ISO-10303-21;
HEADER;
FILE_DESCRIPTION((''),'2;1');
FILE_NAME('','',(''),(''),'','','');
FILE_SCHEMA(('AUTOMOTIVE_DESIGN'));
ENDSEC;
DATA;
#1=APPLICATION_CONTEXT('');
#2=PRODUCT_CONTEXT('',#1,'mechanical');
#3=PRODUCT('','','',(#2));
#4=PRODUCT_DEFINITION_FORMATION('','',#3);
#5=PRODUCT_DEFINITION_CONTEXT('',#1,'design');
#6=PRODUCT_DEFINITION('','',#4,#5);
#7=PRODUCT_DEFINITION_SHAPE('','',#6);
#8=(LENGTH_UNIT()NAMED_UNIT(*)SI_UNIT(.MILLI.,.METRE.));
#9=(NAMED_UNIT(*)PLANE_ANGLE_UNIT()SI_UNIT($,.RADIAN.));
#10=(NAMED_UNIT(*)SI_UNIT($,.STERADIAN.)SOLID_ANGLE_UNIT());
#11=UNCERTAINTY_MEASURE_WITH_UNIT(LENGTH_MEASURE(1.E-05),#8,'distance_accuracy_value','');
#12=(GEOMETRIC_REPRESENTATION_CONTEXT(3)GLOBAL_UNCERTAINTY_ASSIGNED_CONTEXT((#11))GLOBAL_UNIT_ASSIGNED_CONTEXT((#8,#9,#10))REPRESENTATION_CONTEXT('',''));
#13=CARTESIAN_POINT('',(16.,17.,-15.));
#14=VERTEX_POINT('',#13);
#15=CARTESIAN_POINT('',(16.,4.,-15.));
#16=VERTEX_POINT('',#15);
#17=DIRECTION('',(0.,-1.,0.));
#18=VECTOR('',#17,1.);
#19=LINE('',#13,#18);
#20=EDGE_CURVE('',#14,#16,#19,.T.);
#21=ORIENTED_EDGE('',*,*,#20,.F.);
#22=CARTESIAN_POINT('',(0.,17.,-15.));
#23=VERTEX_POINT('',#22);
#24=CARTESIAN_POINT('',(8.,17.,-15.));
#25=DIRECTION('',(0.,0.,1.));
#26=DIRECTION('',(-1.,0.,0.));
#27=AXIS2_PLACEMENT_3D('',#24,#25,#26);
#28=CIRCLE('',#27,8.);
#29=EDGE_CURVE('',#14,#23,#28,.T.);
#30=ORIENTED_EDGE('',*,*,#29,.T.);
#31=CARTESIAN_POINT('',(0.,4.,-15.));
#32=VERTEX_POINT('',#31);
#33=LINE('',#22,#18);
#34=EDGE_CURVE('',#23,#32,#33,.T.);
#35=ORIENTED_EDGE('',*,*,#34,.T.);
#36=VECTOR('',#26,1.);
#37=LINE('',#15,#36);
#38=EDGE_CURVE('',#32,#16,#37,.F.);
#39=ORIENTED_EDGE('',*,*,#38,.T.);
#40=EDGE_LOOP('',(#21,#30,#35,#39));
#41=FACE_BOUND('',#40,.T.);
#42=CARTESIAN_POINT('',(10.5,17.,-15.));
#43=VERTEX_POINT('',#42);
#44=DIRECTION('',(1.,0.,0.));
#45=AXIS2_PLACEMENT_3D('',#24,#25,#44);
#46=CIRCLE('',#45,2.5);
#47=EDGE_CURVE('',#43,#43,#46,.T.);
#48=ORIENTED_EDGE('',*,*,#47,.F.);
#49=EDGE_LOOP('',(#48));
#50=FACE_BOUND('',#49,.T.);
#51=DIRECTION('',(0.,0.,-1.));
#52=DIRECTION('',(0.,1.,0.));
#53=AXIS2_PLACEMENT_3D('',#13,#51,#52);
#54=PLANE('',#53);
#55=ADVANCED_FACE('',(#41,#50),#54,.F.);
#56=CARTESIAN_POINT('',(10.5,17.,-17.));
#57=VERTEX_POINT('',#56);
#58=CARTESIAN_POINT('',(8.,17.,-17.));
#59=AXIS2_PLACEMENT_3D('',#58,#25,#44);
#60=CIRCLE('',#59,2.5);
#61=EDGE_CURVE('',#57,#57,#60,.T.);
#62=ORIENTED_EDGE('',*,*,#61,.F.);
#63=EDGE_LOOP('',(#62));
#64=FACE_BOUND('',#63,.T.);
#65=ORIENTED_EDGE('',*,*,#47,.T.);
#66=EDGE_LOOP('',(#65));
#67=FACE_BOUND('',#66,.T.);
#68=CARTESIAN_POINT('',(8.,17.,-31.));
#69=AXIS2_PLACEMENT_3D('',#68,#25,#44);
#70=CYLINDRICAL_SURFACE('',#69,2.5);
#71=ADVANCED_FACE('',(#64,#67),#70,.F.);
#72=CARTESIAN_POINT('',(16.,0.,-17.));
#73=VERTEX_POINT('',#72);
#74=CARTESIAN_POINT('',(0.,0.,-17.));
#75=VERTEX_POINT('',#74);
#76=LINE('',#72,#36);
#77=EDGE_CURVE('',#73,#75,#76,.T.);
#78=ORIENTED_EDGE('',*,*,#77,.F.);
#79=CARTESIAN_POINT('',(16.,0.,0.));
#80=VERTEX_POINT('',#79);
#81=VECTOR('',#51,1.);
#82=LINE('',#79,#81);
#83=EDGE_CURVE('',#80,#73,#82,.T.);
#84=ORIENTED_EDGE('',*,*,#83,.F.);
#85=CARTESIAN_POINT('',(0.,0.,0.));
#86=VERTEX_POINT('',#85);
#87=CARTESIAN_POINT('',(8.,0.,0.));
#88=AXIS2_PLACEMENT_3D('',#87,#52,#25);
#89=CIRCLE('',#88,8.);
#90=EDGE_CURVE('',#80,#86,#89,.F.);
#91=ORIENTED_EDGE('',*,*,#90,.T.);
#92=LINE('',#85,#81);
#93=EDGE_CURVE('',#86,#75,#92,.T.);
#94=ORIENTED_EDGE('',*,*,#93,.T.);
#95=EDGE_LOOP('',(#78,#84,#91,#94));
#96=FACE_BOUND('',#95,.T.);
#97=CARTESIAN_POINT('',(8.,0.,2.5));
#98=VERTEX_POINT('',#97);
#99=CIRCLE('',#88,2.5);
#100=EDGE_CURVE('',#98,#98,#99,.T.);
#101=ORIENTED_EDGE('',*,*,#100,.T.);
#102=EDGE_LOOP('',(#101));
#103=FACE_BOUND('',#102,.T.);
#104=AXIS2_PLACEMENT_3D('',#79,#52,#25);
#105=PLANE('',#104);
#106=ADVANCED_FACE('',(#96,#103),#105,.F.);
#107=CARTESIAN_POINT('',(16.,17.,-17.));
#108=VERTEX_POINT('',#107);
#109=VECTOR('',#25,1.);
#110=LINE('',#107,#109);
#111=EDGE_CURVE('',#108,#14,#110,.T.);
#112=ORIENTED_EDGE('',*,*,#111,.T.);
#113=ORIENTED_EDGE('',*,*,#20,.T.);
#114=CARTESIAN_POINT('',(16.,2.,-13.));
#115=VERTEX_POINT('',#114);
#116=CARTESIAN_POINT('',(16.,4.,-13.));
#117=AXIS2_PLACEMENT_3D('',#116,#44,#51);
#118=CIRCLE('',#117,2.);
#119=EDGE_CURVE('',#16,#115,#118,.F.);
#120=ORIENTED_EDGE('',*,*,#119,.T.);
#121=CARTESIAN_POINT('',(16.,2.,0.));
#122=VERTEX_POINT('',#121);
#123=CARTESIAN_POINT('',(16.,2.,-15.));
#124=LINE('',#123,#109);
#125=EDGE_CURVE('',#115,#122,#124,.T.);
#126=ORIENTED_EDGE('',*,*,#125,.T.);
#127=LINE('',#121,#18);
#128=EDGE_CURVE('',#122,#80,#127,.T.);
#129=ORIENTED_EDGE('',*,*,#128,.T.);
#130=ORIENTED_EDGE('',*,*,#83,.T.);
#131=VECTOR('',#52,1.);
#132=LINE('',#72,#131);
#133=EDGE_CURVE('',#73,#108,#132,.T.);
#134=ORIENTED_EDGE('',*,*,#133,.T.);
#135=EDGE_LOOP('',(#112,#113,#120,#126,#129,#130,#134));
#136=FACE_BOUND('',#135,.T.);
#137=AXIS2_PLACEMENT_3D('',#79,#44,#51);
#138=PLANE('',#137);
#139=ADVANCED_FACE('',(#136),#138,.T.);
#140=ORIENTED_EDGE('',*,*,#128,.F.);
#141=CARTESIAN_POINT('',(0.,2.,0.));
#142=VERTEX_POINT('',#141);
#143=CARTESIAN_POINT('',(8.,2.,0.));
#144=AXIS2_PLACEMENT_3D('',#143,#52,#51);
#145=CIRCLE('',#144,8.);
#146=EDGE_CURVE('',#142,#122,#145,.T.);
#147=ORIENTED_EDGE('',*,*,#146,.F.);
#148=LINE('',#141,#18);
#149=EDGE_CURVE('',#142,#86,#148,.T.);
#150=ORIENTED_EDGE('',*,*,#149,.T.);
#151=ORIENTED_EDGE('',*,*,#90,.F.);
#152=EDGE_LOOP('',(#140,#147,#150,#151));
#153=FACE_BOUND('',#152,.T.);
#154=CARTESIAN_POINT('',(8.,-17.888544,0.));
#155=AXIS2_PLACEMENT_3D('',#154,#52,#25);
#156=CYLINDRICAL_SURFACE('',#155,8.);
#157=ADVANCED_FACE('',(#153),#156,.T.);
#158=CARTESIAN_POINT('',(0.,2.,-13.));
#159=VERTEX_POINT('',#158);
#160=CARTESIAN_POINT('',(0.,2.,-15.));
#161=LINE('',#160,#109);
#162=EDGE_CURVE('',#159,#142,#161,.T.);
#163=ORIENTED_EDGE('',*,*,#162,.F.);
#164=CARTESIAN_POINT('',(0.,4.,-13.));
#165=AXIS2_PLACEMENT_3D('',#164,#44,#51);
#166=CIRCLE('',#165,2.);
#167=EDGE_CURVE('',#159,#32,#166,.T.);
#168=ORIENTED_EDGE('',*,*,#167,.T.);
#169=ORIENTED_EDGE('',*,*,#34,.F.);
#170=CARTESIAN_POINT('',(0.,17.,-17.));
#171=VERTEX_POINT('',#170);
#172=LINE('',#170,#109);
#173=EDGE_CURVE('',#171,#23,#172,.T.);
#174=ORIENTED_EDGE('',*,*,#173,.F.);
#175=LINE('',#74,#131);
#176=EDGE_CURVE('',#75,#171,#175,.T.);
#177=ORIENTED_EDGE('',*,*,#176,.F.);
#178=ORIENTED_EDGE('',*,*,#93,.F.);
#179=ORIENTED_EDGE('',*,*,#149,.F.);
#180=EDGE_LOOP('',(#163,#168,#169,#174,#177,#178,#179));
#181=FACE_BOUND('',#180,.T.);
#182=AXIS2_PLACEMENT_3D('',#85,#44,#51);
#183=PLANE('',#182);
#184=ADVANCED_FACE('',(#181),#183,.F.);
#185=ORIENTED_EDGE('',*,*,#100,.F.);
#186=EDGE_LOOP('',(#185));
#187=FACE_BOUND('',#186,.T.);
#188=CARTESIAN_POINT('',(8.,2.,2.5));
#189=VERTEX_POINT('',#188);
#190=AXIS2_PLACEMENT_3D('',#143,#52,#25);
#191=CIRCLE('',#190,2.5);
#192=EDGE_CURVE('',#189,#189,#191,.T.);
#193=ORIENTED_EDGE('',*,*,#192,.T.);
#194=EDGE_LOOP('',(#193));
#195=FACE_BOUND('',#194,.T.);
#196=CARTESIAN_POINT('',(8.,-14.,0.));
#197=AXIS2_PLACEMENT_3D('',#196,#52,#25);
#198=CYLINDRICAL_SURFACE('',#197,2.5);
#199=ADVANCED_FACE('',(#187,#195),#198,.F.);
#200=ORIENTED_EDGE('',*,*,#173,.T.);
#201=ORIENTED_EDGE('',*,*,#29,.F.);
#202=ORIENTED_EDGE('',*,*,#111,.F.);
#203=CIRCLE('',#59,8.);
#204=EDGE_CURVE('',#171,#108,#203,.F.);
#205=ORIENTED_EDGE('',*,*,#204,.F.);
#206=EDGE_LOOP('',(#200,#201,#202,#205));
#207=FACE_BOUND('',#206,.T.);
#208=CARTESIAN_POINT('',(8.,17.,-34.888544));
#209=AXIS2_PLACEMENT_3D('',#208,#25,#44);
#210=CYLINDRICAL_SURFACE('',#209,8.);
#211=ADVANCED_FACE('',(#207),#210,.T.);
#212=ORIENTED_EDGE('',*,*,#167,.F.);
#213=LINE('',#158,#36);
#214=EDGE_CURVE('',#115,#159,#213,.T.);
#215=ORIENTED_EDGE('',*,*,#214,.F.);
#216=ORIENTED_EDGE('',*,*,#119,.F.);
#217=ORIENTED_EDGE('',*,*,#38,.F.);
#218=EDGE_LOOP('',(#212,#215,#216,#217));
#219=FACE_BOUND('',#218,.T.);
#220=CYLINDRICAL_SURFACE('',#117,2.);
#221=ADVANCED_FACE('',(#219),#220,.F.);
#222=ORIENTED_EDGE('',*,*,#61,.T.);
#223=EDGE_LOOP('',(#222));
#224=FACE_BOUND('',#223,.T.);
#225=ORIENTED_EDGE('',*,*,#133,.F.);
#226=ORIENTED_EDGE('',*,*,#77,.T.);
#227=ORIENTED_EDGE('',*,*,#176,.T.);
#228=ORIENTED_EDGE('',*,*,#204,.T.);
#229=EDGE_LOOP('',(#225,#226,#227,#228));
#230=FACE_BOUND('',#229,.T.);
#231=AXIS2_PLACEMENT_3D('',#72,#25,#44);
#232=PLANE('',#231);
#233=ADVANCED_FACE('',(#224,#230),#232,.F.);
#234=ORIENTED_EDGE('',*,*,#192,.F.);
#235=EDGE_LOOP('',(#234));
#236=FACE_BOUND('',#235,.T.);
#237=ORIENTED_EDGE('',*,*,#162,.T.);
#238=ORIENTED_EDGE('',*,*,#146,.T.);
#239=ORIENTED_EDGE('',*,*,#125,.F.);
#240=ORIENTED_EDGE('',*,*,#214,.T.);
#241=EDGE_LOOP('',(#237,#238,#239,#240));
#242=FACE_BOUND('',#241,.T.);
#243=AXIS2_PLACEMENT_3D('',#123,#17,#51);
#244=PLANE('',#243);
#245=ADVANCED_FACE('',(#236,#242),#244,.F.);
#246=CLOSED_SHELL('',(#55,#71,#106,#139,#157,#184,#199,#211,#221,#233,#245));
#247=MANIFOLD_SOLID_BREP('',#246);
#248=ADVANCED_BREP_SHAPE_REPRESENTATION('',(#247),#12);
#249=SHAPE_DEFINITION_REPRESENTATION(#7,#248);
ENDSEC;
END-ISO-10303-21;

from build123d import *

# Parameters (mm, degrees)
EXTRUDE_1_DEPTH     = 16
EXTRUDE_2_DEPTH     = 2
FILLET_1_R          = 2
EXTRUDE_3_DEPTH     = 2
SKETCH_4_R          = 2.5
CUT_EXTRUDE_1_DEPTH = 16
SKETCH_5_R          = 2.5
CUT_EXTRUDE_2_DEPTH = 16


with BuildPart() as part:
    # 草图1 → 凸台-拉伸1 (new body)
    with BuildSketch(Plane(origin=(0, 0, 0), x_dir=(0, 0, -1), z_dir=(1, 0, 0))):
        Polygon((0, 0), (17, 0), (17, 17), (15, 17), (15, 2), (0, 2), align=None)
    extrude(amount=EXTRUDE_1_DEPTH)

    # 草图2 → 凸台-拉伸2 (add)
    with BuildSketch(Plane.XY.offset(-15)):
        with BuildLine():
            Line((0, 17), (16, 17))
            ThreePointArc((16, 17), (8, 25), (0, 17))
        make_face()
    extrude(amount=-EXTRUDE_2_DEPTH)

    # 圆角1
    fillet_1_edges = [part.edges().sort_by_distance(p)[0] for p in [
        (8, 2, -15),
    ]]
    fillet(fillet_1_edges, radius=FILLET_1_R)

    # 草图3 → 凸台-拉伸3 (add)
    with BuildSketch(Plane(origin=(0, 2, 0), x_dir=(1, 0, 0), z_dir=(0, 1, 0))):
        with BuildLine():
            Line((0, 0), (16, 0))
            ThreePointArc((16, 0), (8, -8), (0, 0))
        make_face()
    extrude(amount=-EXTRUDE_3_DEPTH)

    # 草图4 → 切除-拉伸1 (cut)
    with BuildSketch(Plane.XY.offset(-15)):
        with Locations((8, 17)):
            Circle(SKETCH_4_R)
    extrude(amount=-CUT_EXTRUDE_1_DEPTH, mode=Mode.SUBTRACT)

    # 草图5 → 切除-拉伸2 (cut)
    with BuildSketch(Plane(origin=(0, 2, 0), x_dir=(1, 0, 0), z_dir=(0, 1, 0))):
        with Locations(Location((8, 0, 0), (0, 0, 270))):
            Circle(SKETCH_5_R)
    extrude(amount=-CUT_EXTRUDE_2_DEPTH, mode=Mode.SUBTRACT)


solid = part.part
